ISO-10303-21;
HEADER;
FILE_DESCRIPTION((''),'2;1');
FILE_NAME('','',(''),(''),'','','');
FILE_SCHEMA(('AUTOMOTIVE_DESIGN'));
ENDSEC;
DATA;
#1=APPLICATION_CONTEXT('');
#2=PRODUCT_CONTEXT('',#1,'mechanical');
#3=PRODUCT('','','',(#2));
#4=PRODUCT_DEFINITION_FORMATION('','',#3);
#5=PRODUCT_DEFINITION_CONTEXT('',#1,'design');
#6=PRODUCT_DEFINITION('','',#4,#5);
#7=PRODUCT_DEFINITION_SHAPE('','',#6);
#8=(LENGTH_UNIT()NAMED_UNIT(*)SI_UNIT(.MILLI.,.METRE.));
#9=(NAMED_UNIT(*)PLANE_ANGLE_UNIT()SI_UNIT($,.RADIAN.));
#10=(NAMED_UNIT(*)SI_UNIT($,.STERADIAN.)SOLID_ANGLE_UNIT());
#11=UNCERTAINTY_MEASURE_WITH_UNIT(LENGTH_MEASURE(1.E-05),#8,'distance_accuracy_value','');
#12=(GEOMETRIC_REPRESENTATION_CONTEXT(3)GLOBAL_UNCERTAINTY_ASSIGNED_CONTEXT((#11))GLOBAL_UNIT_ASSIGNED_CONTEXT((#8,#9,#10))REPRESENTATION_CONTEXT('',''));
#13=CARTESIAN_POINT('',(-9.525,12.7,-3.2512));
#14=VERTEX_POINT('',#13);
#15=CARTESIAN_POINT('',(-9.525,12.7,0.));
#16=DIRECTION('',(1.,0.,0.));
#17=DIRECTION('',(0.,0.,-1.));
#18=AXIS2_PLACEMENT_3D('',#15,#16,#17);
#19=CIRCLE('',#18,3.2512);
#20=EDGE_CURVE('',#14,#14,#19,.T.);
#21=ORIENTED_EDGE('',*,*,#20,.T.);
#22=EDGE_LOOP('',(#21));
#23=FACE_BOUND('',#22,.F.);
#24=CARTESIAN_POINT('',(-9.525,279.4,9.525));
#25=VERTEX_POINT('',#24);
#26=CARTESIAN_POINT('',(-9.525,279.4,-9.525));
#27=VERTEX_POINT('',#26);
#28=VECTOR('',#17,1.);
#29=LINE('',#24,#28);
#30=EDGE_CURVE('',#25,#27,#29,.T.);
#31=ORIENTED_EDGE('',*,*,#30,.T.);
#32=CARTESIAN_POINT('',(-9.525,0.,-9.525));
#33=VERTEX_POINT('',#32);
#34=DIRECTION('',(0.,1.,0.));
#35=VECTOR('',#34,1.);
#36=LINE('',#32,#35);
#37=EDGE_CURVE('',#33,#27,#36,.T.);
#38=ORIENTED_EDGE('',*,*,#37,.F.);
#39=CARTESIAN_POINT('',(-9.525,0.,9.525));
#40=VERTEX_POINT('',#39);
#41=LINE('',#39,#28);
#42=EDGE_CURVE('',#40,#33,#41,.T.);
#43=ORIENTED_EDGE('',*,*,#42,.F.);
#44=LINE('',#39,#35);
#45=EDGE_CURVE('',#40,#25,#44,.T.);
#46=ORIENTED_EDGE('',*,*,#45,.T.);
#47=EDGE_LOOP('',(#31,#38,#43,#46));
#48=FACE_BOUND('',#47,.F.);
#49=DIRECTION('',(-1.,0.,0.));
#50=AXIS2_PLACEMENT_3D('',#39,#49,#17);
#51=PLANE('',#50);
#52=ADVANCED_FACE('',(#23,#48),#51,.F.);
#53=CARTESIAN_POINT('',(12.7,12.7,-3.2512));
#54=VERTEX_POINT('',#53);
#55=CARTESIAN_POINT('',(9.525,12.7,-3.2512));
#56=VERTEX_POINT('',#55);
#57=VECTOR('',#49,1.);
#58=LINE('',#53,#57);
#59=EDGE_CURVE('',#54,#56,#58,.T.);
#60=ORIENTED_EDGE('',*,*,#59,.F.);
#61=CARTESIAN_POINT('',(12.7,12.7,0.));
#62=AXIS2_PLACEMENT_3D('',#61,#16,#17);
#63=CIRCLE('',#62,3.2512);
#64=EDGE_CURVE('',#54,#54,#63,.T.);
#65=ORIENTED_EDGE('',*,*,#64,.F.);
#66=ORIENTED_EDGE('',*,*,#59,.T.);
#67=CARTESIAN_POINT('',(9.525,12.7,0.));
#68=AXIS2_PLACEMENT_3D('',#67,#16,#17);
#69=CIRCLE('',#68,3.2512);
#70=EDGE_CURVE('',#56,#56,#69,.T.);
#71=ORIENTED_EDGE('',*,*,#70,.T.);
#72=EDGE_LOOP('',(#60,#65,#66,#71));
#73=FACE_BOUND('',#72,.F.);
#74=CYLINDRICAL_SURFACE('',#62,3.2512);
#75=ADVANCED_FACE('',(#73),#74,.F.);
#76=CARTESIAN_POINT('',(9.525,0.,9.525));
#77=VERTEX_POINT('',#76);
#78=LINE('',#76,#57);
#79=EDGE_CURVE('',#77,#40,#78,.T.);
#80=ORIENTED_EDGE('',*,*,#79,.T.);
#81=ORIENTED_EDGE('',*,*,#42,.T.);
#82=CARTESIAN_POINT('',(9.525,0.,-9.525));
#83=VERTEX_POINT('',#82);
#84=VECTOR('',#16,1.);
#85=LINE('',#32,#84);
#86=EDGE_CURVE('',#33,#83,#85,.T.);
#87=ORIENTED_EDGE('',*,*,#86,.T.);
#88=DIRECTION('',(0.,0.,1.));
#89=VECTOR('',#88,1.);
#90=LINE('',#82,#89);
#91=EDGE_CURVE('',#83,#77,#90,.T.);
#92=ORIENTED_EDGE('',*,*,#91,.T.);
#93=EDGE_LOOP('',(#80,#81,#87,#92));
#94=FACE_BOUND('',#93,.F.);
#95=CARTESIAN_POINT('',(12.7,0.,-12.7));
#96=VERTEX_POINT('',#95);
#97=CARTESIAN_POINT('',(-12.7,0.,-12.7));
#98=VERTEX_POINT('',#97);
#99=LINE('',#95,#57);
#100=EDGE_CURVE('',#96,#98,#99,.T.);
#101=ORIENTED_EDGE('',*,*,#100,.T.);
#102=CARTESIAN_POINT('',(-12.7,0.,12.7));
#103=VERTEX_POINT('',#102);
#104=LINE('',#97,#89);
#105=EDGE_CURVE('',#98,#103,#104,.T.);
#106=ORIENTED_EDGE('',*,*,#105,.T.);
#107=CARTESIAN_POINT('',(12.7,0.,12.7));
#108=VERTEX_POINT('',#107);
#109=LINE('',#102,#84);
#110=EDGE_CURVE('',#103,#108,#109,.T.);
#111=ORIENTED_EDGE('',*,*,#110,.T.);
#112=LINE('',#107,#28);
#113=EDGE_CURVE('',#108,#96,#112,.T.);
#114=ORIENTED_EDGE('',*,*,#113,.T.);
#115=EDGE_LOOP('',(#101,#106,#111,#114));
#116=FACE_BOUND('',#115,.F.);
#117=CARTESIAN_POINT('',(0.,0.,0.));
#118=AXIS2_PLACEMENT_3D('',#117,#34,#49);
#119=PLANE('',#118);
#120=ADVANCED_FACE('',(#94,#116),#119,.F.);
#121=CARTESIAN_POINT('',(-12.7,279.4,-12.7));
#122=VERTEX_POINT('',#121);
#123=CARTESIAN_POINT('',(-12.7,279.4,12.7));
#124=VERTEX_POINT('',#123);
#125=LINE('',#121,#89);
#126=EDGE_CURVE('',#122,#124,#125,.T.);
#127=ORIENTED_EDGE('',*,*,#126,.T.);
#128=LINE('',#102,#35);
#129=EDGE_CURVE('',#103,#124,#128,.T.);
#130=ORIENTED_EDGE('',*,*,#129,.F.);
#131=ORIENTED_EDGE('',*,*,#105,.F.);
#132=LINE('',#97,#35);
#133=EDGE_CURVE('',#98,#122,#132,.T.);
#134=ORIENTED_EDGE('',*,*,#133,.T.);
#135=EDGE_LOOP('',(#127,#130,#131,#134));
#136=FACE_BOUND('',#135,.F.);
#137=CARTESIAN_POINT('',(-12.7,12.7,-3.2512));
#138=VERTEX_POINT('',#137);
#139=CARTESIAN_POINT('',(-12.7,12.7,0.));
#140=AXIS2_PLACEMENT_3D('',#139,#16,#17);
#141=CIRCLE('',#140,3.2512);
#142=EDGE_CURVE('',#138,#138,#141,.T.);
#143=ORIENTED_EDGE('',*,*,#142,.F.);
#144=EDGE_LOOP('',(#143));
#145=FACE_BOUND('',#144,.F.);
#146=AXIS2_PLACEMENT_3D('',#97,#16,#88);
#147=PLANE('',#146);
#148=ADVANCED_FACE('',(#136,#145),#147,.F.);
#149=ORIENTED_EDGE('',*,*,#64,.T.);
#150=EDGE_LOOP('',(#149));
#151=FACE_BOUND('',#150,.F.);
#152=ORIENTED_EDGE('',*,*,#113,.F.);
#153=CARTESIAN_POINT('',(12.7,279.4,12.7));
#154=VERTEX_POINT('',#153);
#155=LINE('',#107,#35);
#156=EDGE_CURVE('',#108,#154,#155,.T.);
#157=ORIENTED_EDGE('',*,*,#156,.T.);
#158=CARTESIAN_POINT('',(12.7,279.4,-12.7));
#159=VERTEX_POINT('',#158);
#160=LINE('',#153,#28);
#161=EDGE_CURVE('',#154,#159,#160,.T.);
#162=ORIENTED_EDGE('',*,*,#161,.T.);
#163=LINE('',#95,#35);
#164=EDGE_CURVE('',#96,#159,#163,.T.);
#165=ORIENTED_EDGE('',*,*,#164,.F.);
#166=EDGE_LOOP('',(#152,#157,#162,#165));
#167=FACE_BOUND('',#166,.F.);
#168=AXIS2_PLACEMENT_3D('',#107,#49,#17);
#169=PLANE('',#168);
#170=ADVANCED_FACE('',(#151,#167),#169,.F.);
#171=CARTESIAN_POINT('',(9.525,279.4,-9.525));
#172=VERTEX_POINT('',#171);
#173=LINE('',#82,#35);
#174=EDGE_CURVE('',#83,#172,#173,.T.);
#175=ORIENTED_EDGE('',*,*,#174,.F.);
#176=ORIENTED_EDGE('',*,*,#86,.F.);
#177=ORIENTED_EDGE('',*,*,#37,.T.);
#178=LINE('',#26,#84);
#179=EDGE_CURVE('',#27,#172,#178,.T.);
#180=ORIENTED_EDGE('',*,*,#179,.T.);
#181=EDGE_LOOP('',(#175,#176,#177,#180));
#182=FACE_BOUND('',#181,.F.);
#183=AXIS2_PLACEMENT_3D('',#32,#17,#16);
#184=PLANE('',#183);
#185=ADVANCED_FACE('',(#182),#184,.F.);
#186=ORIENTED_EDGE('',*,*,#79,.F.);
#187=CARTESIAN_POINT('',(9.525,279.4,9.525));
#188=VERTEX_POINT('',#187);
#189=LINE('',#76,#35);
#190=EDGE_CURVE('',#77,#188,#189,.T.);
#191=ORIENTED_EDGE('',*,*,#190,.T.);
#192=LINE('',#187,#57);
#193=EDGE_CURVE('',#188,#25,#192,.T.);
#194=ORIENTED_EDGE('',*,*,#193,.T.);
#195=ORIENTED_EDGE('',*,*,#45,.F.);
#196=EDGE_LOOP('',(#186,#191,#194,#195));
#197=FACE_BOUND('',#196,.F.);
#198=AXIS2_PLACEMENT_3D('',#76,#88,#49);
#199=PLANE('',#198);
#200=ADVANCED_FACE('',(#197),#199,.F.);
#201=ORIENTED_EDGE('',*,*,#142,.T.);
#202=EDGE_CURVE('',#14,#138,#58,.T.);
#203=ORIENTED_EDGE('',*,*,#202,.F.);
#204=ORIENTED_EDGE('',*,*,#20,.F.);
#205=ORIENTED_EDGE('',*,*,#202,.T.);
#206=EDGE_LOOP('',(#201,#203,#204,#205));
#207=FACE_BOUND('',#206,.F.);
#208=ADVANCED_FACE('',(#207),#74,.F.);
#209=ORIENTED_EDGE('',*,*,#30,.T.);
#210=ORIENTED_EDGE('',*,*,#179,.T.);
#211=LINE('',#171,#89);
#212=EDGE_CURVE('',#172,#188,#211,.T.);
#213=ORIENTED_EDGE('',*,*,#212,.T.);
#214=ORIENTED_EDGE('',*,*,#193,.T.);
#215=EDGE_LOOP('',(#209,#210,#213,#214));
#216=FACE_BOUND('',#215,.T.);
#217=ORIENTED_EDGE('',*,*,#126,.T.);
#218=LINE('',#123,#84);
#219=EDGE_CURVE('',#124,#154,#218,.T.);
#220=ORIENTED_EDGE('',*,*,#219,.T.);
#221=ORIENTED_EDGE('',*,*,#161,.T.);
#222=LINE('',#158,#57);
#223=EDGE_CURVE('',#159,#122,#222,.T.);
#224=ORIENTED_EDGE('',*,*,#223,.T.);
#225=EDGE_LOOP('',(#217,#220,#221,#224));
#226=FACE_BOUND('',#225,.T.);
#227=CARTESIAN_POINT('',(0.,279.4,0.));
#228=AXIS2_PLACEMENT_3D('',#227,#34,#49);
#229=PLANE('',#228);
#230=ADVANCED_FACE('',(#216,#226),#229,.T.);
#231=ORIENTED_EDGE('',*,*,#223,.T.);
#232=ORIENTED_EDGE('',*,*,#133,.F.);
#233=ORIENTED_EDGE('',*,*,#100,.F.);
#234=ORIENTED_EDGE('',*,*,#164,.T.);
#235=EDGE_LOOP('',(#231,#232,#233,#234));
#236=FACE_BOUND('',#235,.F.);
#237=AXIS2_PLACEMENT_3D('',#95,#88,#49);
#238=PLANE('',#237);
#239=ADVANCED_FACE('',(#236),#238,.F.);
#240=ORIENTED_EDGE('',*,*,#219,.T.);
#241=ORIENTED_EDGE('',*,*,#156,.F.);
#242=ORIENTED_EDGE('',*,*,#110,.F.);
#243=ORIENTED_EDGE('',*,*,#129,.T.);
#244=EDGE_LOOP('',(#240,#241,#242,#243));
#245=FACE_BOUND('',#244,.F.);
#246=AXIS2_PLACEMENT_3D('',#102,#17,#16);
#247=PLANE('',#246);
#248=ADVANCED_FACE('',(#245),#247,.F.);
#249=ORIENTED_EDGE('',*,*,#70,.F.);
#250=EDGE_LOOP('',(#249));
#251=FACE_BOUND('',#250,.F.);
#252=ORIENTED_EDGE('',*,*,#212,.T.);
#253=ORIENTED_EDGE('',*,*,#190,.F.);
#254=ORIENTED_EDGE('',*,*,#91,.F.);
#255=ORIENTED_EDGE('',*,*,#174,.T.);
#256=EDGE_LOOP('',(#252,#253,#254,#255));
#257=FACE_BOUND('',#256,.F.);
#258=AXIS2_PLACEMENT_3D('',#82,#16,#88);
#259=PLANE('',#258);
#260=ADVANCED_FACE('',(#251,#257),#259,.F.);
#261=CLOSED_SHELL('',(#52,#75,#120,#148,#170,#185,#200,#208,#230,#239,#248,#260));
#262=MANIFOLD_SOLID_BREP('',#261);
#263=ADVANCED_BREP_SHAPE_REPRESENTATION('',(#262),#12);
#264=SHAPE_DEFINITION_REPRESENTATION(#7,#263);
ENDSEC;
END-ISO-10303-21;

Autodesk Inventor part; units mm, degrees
ref_plane "YZ Plane" through (0, 0, 0) normal (1, 0, 0) x (0, 1, 0)
ref_plane "XZ Plane" through (0, 0, 0) normal (0, 1, 0) x (-1, 0, 0)
ref_plane "XY Plane" through (0, 0, 0) normal (0, 0, 1) x (1, 0, 0)
sketch "Sketch1" plane through (0, 0, 0) normal (0, 1, 0) x (-1, 0, 0)
  line L0 (-12.7, -12.7) -> (12.7, -12.7)
  line L1 (12.7, -12.7) -> (12.7, 12.7)
  line L2 (12.7, 12.7) -> (-12.7, 12.7)
  line L3 (-12.7, 12.7) -> (-12.7, -12.7)
  line L4 (-12.7, -12.7) -> (12.7, 12.7) construction
  line L5 (12.7, -12.7) -> (-12.7, 12.7) construction
  line L6 (9.525, 9.525) -> (9.525, -9.525)
  line L7 (9.525, -9.525) -> (-9.525, -9.525)
  line L8 (-9.525, -9.525) -> (-9.525, 9.525)
  line L9 (-9.525, 9.525) -> (9.525, 9.525)
  point P0 (0, 0)
  dimension "d0" = 25.4
  dimension "d1" = 25.4
  dimension "d2" = 3.175
extrude "Extrusion1" add sketch "Sketch1" along normal blind 279.4
sketch "Sketch2" plane through (12.7, 0, 12.7) normal (1, 0, 0) x (0, 0, -1)
  circle A0 centre (12.7, 12.7) radius 3.2512
  line L0 (0, 0) -> (25.4, 0) projected
  point P0 (12.7, 0)
  point P1 (12.7, 0)
  point P2 (12.7, 0)
  dimension "d5" = 6.5024
  dimension "d6" = 12.7
extrude "Extrusion2" cut sketch "Sketch2" against normal blind 25.4
properties part number "STRU_010_BilletPole_11in_Unique" material "Aluminum 6061"
